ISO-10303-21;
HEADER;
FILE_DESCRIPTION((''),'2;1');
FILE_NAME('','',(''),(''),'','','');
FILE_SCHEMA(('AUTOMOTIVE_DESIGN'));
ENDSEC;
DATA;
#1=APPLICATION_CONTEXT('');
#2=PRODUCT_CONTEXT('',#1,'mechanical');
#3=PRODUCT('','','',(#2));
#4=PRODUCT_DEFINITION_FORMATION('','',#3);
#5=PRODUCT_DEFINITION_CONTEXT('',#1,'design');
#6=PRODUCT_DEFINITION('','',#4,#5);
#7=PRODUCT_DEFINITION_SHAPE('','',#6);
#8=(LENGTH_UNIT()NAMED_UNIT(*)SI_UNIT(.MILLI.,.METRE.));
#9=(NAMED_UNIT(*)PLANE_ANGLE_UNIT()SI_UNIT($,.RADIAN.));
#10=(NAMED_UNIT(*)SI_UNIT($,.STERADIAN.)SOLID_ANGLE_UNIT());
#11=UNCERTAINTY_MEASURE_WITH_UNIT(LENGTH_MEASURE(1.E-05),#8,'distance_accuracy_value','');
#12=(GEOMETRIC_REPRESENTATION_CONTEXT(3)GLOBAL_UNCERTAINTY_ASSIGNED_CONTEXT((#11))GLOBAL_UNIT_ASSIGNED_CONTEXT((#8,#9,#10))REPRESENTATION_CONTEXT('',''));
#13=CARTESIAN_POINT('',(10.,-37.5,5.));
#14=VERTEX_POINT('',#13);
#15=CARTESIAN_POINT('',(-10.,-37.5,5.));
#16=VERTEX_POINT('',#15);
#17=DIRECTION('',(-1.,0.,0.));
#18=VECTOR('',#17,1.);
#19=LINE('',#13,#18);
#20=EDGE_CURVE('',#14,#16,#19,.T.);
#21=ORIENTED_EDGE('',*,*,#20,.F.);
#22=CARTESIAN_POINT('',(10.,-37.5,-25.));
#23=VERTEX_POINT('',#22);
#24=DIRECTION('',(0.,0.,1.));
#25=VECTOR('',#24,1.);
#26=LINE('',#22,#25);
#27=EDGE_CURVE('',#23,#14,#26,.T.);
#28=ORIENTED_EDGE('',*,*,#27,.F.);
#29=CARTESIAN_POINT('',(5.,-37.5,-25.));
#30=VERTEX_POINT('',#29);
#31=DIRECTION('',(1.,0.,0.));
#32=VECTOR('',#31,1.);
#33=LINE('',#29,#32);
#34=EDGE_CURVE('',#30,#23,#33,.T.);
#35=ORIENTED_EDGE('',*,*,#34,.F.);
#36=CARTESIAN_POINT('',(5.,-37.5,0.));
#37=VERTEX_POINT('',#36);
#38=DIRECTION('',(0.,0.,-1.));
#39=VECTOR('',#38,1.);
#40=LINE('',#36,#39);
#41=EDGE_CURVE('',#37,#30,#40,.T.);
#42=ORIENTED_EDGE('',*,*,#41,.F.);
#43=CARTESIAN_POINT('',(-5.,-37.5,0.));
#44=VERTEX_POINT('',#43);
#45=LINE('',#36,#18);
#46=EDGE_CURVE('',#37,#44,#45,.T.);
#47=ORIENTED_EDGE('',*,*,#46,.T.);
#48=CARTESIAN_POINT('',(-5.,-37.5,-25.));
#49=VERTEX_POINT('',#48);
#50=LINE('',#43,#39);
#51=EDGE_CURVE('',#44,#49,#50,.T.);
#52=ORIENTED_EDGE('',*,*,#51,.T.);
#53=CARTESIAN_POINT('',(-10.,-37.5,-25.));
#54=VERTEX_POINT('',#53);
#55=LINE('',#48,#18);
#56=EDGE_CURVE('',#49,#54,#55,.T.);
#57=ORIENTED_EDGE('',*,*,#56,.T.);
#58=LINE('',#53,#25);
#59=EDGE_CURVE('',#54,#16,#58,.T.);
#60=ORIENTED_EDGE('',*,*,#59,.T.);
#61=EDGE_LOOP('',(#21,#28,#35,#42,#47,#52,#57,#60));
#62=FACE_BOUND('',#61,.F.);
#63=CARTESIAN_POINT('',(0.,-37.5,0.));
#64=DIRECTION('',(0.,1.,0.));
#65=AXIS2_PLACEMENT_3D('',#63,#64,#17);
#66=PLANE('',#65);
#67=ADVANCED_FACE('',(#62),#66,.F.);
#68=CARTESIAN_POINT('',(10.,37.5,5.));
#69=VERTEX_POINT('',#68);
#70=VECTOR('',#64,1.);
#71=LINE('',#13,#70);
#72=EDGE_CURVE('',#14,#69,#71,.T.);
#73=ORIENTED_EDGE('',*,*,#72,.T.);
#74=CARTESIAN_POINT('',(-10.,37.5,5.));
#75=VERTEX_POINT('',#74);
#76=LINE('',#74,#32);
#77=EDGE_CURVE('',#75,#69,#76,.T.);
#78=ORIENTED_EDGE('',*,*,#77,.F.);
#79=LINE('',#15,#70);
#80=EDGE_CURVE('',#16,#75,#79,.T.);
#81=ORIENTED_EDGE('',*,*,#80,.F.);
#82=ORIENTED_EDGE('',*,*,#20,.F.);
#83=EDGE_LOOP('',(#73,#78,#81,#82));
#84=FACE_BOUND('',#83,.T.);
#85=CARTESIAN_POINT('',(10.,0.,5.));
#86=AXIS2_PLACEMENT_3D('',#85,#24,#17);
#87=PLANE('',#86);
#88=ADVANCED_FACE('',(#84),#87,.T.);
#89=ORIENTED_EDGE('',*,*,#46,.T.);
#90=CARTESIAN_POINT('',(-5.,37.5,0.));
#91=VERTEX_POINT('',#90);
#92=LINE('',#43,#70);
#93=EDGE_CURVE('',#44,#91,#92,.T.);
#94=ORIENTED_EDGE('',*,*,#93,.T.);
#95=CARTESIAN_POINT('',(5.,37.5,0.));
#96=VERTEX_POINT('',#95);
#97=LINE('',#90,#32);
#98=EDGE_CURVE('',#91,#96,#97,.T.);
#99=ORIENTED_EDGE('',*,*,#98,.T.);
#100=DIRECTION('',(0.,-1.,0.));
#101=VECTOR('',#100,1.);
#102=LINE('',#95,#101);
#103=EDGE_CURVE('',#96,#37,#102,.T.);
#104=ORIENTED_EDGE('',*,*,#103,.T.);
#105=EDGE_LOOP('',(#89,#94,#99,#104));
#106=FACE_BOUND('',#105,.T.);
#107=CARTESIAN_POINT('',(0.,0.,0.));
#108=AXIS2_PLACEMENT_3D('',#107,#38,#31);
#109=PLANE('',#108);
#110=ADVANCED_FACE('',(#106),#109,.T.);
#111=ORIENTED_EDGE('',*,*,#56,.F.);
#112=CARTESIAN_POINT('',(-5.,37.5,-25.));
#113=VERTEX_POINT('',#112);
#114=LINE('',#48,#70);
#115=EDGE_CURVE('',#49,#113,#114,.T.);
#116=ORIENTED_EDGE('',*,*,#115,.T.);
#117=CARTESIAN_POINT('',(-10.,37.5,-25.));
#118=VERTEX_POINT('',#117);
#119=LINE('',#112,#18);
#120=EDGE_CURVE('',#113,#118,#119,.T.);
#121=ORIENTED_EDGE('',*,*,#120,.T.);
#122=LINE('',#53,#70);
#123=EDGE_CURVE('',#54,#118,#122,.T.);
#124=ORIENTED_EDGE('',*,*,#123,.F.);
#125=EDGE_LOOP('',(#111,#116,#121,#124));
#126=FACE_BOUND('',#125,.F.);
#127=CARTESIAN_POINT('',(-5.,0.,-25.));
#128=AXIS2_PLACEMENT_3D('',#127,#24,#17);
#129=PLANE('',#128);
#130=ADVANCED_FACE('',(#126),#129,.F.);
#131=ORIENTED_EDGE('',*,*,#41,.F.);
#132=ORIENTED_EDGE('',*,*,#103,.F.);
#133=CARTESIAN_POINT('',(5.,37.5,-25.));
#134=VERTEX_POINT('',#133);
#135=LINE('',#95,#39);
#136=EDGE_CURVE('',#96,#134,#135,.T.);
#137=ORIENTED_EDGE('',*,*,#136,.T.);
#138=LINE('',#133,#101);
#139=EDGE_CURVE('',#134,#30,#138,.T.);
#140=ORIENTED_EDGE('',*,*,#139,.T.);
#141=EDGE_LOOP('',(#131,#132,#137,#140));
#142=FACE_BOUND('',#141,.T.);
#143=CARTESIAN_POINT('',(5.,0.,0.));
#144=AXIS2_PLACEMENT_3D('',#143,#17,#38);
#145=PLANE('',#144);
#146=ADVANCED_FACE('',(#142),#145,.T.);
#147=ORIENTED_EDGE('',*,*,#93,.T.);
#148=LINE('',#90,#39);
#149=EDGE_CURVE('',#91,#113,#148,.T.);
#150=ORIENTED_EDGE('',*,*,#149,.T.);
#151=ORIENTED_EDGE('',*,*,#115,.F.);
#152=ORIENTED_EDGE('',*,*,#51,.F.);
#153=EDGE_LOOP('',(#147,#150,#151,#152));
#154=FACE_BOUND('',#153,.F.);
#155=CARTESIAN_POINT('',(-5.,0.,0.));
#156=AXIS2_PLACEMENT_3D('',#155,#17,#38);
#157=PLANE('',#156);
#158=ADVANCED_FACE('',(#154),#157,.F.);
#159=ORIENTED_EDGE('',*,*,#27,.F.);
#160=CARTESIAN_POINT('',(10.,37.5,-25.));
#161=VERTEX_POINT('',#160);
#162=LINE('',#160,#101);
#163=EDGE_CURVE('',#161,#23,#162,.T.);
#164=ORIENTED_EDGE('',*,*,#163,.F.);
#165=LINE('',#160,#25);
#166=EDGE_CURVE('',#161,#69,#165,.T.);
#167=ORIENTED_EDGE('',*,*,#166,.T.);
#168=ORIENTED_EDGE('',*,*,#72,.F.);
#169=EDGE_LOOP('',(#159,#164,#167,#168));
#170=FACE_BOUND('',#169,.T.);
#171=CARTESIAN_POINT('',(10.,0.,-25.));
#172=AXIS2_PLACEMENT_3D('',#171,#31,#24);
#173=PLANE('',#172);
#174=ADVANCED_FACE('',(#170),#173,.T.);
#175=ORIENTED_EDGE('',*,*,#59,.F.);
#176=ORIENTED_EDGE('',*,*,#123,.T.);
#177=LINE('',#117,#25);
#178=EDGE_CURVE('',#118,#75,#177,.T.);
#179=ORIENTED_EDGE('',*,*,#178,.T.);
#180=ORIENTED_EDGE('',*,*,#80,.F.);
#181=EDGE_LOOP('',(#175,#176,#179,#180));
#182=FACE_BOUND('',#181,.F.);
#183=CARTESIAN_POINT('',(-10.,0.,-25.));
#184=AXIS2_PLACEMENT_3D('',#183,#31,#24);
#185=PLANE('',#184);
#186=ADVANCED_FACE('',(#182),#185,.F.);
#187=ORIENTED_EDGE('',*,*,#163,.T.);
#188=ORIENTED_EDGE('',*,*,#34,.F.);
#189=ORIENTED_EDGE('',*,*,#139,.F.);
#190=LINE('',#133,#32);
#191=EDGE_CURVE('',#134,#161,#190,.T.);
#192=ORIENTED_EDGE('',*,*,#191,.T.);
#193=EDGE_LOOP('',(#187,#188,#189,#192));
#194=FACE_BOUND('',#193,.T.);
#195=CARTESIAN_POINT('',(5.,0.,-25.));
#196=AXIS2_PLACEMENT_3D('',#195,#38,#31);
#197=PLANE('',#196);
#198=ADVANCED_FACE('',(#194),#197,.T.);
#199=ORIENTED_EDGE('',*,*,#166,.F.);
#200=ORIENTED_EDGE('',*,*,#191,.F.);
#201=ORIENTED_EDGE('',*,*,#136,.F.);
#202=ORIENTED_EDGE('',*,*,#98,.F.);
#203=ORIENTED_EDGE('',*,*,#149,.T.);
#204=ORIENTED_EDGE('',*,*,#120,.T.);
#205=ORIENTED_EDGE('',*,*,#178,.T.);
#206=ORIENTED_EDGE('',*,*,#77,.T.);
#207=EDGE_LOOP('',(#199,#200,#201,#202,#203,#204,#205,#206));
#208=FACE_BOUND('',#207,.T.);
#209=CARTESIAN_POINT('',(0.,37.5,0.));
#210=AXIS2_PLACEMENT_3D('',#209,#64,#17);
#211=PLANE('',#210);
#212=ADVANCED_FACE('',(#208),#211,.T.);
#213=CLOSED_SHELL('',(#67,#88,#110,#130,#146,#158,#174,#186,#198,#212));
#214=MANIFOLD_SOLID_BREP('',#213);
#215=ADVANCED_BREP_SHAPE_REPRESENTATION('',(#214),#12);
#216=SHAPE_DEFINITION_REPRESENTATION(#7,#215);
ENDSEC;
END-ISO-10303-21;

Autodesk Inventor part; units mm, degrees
ref_plane "YZ Plane" through (0, 0, 0) normal (1, 0, 0) x (0, 1, 0)
ref_plane "XZ Plane" through (0, 0, 0) normal (0, 1, 0) x (-1, 0, 0)
ref_plane "XY Plane" through (0, 0, 0) normal (0, 0, 1) x (1, 0, 0)
sketch "Sketch3" plane through (0, 0, 0) normal (0, 1, 0) x (-1, 0, 0)
  line L0 (0, 0) -> (5, 0)
  line L1 (5, 0) -> (-5, 0)
  line L2 (-5, 0) -> (-5, -25)
  line L3 (-5, 0) -> (20, 0) construction
  line L4 (-5, -25) -> (-10, -25)
  line L5 (-10, -25) -> (-10, 5)
  line L6 (-10, 5) -> (0, 5)
  line L7 (0, 5) -> (5, 5)
  line L8 (5, 5) -> (5, 0)
  line L9 (5, 0) -> (5, -25)
  line L10 (5, -25) -> (10, -25)
  line L11 (10, -25) -> (10, 5)
  line L12 (10, 5) -> (5, 5)
  dimension "d2" = 5
  dimension "d3" = 10
  dimension "d4" = 0
  dimension "d5" = 25
  dimension "d6" = 90
  dimension "d7" = 5
  dimension "d8" = 30
  dimension "d9" = 5
extrude "Extrusion1" add sketch "Sketch3" along normal mid plane 75
sketch "Sketch7" plane through (5, 37.5, 0) normal (0, 0, -1) x (-1, 0, 0)
  line L0 (5, -37.5) -> (10, -37.5) construction
  line L1 (10, -37.5) -> (0, -37.5) construction
  dimension "d25" = 5
  dimension "d26" = 10
properties part number "TSU_Middle_Clamp"
